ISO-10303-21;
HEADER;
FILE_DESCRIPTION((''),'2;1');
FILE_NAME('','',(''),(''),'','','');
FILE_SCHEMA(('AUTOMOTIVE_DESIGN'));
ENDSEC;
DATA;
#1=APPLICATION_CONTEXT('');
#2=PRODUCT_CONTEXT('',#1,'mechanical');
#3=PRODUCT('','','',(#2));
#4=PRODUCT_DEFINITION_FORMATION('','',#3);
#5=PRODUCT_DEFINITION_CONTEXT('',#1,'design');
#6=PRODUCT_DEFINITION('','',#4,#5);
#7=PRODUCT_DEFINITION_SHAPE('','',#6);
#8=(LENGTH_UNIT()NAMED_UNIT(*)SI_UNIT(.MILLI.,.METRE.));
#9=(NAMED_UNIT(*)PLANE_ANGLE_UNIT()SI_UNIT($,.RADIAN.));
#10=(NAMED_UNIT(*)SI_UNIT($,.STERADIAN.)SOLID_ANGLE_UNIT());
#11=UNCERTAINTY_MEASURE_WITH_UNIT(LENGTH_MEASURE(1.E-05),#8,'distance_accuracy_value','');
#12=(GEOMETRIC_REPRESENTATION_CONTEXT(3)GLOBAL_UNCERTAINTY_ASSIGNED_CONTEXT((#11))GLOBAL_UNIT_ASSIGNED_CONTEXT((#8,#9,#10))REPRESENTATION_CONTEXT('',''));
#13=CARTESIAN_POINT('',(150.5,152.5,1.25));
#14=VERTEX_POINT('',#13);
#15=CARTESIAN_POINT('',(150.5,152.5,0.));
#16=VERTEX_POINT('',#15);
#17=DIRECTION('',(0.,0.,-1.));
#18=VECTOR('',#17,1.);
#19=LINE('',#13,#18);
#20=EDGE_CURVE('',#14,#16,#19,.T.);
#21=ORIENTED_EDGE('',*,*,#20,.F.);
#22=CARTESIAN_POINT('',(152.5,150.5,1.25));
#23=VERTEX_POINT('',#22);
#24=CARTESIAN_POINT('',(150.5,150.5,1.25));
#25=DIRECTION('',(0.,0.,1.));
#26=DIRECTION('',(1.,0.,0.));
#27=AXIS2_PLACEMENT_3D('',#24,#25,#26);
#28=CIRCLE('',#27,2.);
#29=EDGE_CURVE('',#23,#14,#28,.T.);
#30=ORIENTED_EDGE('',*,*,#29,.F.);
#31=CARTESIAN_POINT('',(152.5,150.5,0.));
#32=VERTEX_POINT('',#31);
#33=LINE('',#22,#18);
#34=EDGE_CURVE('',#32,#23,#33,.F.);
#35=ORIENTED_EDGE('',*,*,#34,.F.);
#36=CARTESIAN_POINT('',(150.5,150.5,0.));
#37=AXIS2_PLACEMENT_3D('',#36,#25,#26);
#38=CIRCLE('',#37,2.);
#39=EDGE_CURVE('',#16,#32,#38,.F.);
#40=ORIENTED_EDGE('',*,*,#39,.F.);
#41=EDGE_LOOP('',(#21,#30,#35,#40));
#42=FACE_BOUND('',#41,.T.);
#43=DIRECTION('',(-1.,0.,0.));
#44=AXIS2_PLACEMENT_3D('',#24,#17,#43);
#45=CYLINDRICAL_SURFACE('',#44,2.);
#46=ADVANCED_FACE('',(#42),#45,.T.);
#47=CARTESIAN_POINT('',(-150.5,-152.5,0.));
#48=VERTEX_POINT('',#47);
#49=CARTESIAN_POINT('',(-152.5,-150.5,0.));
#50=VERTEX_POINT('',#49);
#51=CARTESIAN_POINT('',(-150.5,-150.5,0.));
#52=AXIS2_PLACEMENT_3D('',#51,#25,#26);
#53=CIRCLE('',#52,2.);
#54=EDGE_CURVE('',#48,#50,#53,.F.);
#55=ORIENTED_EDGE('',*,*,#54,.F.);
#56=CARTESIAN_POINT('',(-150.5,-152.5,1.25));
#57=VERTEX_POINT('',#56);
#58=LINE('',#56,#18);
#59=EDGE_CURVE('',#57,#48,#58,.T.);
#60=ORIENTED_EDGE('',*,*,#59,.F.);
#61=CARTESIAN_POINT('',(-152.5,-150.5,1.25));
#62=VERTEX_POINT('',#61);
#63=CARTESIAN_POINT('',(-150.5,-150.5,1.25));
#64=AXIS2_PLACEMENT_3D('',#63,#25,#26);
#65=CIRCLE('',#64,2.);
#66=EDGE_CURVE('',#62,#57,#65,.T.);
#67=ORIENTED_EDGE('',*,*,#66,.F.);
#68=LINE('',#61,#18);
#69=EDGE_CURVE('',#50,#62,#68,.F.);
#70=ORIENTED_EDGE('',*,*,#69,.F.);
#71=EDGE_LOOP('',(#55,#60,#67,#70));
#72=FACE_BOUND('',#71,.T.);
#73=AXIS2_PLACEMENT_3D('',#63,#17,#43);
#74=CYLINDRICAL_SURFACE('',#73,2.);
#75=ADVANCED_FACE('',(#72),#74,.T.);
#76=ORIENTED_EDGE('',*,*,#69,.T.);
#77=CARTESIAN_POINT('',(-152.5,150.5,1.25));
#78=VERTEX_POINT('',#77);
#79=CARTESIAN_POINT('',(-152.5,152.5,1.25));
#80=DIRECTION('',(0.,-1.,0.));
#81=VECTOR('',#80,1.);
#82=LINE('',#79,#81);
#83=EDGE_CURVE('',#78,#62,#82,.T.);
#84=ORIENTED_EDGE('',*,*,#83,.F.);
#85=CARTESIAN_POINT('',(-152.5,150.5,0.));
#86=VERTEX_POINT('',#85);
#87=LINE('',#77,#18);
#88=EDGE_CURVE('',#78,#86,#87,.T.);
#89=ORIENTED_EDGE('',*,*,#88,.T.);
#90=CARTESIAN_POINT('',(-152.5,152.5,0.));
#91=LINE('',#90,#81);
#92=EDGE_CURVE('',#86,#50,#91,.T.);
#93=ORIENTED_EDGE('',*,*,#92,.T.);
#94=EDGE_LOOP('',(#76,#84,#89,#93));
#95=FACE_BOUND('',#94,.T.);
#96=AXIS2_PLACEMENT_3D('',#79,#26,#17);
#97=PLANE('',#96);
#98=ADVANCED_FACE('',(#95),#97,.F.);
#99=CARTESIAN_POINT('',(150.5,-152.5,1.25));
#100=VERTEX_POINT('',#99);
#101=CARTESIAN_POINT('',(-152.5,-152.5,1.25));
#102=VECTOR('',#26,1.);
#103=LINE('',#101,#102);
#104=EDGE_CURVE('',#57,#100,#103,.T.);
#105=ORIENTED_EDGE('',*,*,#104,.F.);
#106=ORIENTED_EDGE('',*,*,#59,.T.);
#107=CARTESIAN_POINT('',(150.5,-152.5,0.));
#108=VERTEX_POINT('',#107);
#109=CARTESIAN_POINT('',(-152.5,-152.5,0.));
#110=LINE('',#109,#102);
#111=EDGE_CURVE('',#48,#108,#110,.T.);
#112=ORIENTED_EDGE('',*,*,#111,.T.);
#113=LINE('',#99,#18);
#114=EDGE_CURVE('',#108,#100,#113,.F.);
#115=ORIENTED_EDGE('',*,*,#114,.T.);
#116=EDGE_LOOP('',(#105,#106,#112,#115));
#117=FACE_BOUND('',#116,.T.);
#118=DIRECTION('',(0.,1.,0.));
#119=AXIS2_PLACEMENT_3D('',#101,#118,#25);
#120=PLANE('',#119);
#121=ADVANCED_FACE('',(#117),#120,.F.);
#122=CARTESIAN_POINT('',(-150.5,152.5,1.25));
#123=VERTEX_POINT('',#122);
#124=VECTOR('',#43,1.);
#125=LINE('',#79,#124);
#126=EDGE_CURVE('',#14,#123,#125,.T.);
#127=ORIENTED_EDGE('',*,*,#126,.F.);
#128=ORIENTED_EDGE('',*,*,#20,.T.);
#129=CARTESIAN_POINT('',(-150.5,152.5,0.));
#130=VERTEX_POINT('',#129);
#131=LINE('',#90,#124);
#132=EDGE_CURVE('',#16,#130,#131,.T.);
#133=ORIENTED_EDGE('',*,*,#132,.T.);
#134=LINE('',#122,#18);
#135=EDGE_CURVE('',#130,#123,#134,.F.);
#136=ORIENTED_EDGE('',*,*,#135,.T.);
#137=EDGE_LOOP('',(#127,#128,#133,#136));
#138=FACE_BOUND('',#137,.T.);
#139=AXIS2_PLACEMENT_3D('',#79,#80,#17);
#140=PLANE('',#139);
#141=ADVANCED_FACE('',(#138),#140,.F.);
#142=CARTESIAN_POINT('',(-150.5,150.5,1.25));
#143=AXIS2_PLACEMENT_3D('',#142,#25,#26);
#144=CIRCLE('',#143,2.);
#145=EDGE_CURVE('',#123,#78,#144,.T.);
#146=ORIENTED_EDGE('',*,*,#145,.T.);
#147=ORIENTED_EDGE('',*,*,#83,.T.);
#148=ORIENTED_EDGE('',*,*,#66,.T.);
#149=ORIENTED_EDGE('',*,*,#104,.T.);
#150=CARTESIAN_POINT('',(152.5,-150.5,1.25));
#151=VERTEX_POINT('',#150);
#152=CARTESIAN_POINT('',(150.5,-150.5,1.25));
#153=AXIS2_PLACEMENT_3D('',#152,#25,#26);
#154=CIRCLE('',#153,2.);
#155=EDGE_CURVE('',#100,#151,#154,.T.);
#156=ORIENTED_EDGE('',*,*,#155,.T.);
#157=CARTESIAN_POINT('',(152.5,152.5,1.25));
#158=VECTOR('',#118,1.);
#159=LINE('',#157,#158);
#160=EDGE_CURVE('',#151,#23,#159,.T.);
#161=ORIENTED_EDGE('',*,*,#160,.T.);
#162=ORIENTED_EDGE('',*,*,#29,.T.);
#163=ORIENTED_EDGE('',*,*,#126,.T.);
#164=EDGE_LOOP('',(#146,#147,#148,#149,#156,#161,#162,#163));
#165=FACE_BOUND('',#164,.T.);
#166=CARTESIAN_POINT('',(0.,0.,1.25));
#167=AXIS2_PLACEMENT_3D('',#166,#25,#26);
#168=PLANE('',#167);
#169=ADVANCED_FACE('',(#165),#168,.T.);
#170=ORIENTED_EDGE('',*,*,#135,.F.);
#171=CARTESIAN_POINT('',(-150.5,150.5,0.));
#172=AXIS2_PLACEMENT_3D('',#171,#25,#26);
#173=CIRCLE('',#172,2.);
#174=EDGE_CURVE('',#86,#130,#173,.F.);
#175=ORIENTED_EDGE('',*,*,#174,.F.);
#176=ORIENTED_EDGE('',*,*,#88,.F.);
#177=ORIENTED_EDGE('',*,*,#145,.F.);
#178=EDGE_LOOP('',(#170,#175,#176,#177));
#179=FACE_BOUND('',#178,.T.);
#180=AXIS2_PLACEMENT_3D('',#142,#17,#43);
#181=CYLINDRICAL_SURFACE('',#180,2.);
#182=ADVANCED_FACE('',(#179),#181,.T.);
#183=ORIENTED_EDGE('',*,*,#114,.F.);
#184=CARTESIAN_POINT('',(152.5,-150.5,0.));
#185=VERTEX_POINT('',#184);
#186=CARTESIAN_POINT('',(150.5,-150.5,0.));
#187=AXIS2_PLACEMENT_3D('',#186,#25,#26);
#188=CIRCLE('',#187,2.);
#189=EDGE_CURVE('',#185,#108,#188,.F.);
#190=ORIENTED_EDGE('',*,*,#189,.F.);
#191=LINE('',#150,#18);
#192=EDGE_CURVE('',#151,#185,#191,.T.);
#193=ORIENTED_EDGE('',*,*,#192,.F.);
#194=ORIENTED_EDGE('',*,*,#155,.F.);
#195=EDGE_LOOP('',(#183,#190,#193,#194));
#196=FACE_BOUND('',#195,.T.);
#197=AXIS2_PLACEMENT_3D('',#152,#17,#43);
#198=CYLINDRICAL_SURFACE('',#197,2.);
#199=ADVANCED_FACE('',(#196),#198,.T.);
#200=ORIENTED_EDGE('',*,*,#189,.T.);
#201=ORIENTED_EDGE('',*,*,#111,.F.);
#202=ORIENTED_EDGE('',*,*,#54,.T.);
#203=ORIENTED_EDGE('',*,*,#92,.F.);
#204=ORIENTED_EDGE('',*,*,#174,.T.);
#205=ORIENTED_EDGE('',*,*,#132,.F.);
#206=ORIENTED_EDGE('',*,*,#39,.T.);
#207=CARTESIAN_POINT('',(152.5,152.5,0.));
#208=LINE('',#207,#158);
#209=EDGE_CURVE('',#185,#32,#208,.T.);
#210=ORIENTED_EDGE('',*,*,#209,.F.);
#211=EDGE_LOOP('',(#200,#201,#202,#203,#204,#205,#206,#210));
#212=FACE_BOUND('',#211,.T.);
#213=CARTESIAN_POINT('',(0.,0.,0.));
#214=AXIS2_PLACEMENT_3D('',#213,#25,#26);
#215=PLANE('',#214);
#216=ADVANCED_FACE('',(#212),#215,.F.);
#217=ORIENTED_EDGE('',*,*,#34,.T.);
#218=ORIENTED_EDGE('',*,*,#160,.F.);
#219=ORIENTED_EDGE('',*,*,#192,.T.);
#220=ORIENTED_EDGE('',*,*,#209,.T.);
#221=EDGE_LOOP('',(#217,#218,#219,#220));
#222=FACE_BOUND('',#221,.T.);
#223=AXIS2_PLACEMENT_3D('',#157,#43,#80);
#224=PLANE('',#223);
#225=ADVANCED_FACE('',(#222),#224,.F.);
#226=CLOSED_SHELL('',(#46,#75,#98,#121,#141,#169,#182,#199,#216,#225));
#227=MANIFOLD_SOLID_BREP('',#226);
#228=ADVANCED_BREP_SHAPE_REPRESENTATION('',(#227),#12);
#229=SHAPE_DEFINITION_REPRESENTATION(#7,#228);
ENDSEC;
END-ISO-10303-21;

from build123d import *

# Parameters (mm, degrees)
SKETCH1_W           = 305
SKETCH1_H           = 305
BOSS_EXTRUDE1_DEPTH = 1.25
FILLET1_R           = 2


with BuildPart() as part:
    # Sketch1 → Boss-Extrude1 (new body)
    with BuildSketch(Plane.XY):
        Rectangle(SKETCH1_W, SKETCH1_H)
    extrude(amount=BOSS_EXTRUDE1_DEPTH)

    # Fillet1
    fillet1_edges = [part.edges().sort_by_distance(p)[0] for p in [
        (152.5, -152.5, 0.625),
        (-152.5, -152.5, 0.625),
        (-152.5, 152.5, 0.625),
        (152.5, 152.5, 0.625),
    ]]
    fillet(fillet1_edges, radius=FILLET1_R)


solid = part.part
